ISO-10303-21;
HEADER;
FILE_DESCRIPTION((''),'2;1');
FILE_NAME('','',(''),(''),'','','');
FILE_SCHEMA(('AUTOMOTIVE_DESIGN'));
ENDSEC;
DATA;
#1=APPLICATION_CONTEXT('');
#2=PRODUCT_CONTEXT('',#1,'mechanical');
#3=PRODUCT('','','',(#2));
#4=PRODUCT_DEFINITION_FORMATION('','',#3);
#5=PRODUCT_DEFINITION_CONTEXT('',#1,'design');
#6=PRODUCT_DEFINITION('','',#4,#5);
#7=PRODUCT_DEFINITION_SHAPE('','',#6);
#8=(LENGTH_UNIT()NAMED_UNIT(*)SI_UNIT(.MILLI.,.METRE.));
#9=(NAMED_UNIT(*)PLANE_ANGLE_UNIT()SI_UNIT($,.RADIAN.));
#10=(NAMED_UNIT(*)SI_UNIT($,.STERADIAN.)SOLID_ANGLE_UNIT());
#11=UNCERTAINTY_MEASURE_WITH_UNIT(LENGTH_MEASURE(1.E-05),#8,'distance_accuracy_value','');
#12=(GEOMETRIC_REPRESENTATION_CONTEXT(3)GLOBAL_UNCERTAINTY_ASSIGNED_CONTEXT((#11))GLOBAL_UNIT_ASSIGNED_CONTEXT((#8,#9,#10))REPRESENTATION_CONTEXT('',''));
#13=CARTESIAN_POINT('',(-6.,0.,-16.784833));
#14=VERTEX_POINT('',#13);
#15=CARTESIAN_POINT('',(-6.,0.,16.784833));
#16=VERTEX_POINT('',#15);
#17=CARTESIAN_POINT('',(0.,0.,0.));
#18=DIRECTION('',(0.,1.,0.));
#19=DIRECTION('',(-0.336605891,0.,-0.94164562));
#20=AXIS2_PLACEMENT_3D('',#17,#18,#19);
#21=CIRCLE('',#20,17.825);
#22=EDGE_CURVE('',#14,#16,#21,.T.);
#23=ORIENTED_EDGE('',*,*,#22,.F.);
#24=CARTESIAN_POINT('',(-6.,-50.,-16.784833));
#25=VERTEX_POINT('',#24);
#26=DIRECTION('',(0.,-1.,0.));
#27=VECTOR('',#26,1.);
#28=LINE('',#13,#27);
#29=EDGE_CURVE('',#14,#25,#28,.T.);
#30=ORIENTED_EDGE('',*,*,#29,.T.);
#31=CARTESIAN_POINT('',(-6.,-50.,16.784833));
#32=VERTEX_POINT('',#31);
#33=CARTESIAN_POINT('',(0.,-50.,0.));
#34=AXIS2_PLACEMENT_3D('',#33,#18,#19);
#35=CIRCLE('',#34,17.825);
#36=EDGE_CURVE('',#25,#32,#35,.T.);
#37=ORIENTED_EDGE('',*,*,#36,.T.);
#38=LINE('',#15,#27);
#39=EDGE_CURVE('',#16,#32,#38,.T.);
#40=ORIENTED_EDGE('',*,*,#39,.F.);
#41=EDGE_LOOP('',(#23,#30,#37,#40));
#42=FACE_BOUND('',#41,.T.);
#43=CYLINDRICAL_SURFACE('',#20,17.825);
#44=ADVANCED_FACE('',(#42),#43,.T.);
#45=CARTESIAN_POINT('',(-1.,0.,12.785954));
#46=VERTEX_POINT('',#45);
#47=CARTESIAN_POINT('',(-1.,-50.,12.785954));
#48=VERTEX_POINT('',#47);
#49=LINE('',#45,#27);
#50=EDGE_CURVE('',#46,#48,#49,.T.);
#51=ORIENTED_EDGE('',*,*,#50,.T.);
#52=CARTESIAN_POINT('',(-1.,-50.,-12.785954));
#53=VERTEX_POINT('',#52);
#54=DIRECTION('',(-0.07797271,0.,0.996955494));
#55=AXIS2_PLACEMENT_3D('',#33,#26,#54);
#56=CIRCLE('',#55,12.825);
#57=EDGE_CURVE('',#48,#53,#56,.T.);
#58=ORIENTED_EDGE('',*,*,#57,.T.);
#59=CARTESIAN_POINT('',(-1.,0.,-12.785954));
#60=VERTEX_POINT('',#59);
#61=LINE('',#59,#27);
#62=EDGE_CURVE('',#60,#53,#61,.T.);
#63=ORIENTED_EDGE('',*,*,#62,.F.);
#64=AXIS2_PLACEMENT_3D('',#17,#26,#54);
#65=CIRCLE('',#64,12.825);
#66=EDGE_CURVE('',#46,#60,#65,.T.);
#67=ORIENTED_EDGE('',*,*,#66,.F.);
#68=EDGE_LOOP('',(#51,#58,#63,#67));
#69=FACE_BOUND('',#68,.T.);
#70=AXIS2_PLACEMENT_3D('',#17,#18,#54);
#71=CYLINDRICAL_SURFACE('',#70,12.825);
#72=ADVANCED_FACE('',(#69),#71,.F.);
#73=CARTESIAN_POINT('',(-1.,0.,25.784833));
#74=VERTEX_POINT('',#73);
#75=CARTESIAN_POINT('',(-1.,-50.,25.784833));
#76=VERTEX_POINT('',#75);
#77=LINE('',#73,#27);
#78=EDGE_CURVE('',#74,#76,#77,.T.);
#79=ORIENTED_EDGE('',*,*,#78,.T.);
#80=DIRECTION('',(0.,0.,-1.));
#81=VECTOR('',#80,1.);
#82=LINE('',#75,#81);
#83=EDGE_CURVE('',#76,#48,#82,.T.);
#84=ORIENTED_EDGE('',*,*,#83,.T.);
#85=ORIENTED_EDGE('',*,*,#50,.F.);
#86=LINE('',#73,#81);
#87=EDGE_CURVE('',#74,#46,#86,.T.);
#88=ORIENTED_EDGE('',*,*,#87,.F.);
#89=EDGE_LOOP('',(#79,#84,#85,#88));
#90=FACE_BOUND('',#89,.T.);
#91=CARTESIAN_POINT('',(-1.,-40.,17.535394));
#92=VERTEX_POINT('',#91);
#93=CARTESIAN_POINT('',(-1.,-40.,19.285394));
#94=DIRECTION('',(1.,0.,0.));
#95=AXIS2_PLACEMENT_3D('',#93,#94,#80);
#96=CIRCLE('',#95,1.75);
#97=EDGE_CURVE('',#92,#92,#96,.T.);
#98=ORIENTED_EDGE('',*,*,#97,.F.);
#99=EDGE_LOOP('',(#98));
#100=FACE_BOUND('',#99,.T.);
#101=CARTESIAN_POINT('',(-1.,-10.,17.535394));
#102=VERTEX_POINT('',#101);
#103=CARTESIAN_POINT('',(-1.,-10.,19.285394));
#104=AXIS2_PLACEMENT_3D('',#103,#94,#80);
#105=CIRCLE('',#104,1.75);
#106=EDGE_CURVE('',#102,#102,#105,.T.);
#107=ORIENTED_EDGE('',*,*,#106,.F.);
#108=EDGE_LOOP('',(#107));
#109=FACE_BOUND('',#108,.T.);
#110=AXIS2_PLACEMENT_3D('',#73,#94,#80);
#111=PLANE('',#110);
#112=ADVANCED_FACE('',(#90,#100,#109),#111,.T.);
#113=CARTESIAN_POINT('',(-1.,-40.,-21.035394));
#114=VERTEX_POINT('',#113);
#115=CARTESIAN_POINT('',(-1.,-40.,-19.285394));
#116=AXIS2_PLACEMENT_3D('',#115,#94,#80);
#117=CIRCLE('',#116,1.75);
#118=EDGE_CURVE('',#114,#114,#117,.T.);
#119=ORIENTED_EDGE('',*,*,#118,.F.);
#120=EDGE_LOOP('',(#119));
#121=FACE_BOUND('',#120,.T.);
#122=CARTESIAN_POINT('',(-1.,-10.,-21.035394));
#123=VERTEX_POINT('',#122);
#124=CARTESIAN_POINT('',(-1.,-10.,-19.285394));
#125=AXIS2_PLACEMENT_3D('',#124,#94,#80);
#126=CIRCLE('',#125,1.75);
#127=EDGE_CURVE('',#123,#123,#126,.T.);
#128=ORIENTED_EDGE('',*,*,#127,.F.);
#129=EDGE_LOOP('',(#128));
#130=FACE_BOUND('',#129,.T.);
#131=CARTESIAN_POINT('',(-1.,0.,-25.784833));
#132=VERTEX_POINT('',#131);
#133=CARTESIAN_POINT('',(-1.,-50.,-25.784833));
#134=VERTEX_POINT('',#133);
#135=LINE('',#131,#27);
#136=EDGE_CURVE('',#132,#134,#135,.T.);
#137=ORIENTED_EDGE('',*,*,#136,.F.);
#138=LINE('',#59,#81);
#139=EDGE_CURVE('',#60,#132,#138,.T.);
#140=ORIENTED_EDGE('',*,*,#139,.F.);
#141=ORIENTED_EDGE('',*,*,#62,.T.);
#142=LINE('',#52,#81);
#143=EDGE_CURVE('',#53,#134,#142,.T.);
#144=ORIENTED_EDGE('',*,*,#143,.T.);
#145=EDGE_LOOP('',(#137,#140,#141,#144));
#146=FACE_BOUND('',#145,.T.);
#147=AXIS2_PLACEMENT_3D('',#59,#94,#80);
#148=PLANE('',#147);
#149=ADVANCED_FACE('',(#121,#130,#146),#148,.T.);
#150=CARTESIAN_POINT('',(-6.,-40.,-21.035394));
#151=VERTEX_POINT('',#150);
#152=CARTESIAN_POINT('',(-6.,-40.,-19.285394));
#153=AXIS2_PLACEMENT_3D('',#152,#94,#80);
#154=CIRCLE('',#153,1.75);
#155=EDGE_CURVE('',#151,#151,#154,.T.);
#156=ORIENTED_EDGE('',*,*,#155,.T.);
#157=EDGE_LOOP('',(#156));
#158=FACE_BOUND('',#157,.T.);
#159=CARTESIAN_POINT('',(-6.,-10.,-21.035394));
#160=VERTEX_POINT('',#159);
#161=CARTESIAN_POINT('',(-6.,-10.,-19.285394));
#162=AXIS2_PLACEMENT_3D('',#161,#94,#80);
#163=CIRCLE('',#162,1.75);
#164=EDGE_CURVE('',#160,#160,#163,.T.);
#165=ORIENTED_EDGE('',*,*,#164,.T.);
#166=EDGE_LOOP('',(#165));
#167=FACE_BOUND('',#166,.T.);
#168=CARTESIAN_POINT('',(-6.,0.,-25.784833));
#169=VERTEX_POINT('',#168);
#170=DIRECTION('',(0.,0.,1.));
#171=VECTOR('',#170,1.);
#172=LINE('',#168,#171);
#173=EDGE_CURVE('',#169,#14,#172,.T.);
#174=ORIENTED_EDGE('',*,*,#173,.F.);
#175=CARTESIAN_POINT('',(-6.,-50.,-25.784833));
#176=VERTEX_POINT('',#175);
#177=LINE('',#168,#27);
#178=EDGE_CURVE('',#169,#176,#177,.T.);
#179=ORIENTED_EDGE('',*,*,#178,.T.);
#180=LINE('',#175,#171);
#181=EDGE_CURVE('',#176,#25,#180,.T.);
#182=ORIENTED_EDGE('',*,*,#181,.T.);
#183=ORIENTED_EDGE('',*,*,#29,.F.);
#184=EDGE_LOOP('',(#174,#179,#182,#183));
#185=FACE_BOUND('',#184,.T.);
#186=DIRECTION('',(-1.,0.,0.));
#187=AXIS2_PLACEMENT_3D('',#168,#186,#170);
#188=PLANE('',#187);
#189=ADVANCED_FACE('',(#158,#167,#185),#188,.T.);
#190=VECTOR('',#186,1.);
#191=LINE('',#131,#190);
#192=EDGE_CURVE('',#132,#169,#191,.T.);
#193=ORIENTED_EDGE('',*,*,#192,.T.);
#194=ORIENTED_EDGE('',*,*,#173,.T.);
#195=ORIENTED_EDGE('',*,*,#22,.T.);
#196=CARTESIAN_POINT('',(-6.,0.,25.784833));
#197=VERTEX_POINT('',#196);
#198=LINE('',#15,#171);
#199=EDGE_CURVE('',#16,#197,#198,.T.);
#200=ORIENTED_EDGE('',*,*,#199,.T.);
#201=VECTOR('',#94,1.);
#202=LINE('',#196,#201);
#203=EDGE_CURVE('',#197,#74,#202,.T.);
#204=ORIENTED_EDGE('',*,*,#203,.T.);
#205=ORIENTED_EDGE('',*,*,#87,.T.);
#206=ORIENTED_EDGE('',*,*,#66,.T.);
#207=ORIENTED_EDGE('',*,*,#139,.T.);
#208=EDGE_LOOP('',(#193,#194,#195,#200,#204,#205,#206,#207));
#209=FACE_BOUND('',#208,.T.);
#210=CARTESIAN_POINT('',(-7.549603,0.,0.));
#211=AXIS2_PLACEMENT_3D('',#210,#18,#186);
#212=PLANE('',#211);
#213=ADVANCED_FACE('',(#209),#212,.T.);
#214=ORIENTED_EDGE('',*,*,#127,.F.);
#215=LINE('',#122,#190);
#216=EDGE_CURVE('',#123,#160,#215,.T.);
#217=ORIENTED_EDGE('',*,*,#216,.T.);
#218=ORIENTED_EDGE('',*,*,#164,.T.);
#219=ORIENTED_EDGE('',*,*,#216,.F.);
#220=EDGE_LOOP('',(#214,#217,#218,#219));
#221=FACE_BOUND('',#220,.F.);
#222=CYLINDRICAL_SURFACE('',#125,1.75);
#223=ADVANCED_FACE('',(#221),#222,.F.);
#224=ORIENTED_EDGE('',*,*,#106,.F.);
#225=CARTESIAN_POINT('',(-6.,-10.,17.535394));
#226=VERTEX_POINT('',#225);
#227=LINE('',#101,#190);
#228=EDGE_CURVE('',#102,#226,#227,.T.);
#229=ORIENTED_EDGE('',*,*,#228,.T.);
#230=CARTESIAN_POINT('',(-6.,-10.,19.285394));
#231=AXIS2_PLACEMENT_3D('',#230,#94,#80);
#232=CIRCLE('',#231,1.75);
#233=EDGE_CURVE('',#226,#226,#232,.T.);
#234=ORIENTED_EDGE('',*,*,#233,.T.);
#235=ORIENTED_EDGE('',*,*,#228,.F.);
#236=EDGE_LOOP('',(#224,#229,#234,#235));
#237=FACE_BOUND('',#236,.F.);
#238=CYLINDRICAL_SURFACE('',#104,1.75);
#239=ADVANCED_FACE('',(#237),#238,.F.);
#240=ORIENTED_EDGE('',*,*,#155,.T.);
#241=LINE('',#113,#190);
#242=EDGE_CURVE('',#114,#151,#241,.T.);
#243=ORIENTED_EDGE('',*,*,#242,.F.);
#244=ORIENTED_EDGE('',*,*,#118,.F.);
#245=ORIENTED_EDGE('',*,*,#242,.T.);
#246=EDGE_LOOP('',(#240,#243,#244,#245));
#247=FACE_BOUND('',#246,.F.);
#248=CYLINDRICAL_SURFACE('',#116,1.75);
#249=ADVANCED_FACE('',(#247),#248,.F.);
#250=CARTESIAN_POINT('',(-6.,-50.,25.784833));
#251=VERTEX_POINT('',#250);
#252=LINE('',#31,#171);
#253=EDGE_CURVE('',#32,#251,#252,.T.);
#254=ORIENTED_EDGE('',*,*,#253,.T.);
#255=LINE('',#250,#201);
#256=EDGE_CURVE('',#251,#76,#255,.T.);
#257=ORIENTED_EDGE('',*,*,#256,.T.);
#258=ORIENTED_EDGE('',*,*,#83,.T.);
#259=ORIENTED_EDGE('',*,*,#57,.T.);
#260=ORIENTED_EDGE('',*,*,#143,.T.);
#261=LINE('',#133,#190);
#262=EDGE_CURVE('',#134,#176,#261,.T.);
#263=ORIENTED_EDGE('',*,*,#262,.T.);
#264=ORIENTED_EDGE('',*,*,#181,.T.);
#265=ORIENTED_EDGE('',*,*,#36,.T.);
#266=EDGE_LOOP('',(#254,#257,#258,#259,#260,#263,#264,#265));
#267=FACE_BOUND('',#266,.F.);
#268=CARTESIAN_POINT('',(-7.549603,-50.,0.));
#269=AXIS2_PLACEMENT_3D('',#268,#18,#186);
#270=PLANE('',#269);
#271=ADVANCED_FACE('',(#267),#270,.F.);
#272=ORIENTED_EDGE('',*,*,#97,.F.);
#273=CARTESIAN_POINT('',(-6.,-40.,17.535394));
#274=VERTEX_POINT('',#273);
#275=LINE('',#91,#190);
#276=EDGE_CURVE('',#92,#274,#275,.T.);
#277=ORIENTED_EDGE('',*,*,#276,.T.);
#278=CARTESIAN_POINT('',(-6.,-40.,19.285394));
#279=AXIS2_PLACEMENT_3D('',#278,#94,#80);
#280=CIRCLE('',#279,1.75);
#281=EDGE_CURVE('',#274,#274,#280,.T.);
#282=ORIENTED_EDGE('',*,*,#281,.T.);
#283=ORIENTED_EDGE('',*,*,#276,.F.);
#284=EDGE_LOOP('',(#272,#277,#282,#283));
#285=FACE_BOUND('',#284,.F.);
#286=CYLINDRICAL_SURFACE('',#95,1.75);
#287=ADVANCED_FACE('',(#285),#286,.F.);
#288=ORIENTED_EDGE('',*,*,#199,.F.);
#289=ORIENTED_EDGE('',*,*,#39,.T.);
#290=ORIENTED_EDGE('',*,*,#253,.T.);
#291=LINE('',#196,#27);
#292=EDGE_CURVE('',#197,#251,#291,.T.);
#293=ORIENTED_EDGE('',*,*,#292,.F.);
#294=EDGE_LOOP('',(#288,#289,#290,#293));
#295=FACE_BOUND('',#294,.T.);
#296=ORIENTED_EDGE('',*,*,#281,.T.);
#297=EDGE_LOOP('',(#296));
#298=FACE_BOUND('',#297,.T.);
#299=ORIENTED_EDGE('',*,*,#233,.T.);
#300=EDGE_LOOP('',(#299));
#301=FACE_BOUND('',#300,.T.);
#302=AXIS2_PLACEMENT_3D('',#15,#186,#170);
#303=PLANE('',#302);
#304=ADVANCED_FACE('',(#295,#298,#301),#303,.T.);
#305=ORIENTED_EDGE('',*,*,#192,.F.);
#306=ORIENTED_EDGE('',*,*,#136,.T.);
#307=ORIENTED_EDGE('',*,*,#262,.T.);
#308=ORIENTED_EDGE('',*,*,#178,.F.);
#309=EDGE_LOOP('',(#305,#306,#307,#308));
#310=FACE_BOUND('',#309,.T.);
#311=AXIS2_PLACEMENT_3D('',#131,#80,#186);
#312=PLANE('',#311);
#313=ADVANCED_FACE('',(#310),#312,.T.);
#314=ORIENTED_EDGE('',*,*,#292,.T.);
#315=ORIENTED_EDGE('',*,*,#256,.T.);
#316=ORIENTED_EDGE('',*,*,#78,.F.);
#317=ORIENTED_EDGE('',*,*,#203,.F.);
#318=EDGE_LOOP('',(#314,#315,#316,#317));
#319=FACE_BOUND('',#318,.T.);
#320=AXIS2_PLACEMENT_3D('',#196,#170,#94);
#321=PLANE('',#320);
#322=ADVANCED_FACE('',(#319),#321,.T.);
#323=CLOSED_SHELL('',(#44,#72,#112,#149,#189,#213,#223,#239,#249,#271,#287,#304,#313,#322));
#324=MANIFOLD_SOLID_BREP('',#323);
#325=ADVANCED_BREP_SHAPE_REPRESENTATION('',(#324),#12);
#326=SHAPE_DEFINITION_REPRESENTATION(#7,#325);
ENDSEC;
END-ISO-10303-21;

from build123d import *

# Parameters (mm, degrees)
BOSS_EXTRUDE4_DEPTH = 50
SKETCH7_R           = 1.75
CUT_EXTRUDE1_DEPTH  = 17.825


with BuildPart() as part:
    # Sketch6 → Boss-Extrude4 (new body)
    with BuildSketch(Plane.XZ):
        with BuildLine():
            Line((-1, 25.784833184), (-1, 12.785954208))
            ThreePointArc((-1, 12.785954208), (-12.825, 0), (-1, -12.785954208))
            Line((-1, -12.785954208), (-1, -25.784833184))
            Line((-1, -25.784833184), (-6, -25.784833184))
            Line((-6, -25.784833184), (-6, -16.784833184))
            ThreePointArc((-6, -16.784833184), (-17.825, 0), (-6, 16.784833184))
            Line((-6, 16.784833184), (-6, 25.784833184))
            Line((-6, 25.784833184), (-1, 25.784833184))
        make_face()
    extrude(amount=BOSS_EXTRUDE4_DEPTH)

    # Sketch7 → Cut-Extrude1 (cut, through all)
    with BuildSketch(Plane(origin=(-1, 0, 0), x_dir=(0, 0, -1), z_dir=(1, 0, 0))):
        with Locations((-19.285393696, -10)):
            Circle(SKETCH7_R)
        with Locations((-19.285393696, -40)):
            Circle(SKETCH7_R)
        with Locations((19.285393696, -40)):
            Circle(SKETCH7_R)
        with Locations((19.285393696, -10)):
            Circle(SKETCH7_R)
    extrude(amount=-CUT_EXTRUDE1_DEPTH, mode=Mode.SUBTRACT)


solid = part.part
